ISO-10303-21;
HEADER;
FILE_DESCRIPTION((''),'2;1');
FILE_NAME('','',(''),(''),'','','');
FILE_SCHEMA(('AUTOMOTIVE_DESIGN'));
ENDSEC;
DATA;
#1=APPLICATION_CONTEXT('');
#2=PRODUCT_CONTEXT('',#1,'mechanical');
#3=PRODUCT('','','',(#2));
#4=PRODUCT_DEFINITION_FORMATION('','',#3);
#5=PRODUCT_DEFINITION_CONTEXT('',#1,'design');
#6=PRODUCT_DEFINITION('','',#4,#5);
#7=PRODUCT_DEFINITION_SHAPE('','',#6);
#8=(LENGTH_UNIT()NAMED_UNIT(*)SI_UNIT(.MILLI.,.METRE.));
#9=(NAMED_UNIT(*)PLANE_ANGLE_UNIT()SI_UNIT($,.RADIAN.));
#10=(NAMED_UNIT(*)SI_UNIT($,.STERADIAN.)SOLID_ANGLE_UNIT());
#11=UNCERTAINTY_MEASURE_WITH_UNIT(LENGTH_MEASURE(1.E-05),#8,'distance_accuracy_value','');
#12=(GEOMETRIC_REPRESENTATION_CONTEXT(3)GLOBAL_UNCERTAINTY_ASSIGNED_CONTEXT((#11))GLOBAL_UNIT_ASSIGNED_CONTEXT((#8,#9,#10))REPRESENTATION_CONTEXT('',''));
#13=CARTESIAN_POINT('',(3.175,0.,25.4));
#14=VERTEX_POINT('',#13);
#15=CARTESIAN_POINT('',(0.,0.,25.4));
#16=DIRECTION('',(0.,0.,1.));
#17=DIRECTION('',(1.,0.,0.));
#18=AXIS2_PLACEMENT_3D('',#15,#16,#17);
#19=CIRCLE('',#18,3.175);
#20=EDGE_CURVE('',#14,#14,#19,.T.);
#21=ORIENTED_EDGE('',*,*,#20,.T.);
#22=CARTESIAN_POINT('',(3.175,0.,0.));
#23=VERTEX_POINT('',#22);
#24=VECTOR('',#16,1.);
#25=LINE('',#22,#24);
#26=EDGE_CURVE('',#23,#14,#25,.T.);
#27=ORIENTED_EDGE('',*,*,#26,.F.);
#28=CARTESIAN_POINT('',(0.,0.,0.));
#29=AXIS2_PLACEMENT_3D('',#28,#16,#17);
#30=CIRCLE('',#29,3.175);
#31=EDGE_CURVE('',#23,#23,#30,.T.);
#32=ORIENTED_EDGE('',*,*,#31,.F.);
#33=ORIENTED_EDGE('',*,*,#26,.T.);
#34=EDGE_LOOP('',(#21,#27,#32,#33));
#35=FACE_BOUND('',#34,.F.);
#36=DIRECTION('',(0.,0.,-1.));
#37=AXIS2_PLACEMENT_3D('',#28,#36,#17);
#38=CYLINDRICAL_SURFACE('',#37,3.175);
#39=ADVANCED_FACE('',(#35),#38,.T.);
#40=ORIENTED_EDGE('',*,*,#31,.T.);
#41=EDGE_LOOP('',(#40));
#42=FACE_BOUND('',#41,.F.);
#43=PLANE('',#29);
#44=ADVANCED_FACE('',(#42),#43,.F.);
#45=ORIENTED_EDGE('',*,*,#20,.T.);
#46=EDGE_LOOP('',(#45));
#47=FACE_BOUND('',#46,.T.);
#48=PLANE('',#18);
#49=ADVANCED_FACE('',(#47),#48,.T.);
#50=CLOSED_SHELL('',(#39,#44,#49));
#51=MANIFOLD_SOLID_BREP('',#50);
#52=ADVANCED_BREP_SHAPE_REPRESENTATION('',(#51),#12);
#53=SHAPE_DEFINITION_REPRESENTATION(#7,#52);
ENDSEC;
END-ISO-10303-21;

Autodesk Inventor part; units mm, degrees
ref_plane "YZ Plane" through (0, 0, 0) normal (1, 0, 0) x (0, 1, 0)
ref_plane "XZ Plane" through (0, 0, 0) normal (0, 1, 0) x (-1, 0, 0)
ref_plane "XY Plane" through (0, 0, 0) normal (0, 0, 1) x (1, 0, 0)
sketch "Sketch1" plane through (0, 0, 0) normal (0, 0, 1) x (1, 0, 0)
  circle A0 centre (0, 0) radius 3.175
  dimension "d0" = 6.35
extrude "Extrusion1" add sketch "Sketch1" along normal blind 25.4
properties part number "Crank Rod"
